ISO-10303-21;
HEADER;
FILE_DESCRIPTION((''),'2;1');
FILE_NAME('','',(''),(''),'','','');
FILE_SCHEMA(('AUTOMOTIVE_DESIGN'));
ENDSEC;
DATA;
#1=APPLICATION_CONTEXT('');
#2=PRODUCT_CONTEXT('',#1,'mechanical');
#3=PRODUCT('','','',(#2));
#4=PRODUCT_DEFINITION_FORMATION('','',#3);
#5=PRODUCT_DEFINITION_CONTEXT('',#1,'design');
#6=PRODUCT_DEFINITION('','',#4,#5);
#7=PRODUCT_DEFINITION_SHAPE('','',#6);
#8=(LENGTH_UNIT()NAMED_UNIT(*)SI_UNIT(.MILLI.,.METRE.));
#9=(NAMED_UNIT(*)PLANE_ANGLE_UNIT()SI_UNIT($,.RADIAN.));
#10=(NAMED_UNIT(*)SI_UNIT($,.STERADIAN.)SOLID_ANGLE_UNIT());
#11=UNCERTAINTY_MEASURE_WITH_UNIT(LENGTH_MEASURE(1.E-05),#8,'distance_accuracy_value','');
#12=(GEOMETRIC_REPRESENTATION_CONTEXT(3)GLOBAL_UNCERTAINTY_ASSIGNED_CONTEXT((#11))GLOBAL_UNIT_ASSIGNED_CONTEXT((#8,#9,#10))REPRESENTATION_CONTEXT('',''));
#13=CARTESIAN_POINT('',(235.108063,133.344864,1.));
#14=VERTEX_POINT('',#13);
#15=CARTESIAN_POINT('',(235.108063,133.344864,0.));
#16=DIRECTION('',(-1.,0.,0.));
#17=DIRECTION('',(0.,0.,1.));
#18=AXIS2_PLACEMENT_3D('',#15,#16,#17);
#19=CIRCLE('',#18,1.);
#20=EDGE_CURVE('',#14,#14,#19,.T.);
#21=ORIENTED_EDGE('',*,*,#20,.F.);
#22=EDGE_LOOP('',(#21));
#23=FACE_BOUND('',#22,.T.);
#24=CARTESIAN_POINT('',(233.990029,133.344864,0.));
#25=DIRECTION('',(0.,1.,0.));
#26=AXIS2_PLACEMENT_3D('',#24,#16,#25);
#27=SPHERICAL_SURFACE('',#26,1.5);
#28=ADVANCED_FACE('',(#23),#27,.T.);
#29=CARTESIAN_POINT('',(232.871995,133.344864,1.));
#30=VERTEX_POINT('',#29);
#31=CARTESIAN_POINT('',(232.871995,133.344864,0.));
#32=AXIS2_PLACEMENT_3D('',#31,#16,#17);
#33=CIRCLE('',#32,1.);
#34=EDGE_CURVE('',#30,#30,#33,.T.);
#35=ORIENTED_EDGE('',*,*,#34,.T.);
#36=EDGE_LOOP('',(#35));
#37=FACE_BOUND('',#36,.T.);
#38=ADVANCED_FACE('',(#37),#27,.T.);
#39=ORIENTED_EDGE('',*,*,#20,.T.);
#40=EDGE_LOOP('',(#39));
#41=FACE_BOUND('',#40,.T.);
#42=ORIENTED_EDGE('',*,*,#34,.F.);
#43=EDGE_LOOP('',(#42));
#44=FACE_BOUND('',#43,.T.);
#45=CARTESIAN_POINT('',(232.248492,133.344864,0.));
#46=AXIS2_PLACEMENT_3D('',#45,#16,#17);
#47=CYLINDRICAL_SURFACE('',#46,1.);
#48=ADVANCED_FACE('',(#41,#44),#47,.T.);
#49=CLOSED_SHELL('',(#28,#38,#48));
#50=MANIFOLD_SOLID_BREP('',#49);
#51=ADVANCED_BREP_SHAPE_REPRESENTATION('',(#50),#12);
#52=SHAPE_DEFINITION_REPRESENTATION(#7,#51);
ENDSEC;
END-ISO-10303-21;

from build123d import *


with BuildPart() as part:
    # 草图1 one side → 旋转1 (revolve)
    with BuildSketch(Plane.XY):
        with BuildLine():
            Line((235.108062935, 134.34486375), (232.871994957, 134.34486375))
            ThreePointArc((232.871994957, 134.34486375), (232.588770407, 133.880096884), (232.490028946, 133.34486375))
            Line((232.490028946, 133.34486375), (235.490028946, 133.34486375))
            ThreePointArc((235.490028946, 133.34486375), (235.391287484, 133.880096884), (235.108062935, 134.34486375))
        make_face()
    revolve(axis=Axis((232.248492044, 133.34486375, 0), (1, 0, 0)))


solid = part.part
